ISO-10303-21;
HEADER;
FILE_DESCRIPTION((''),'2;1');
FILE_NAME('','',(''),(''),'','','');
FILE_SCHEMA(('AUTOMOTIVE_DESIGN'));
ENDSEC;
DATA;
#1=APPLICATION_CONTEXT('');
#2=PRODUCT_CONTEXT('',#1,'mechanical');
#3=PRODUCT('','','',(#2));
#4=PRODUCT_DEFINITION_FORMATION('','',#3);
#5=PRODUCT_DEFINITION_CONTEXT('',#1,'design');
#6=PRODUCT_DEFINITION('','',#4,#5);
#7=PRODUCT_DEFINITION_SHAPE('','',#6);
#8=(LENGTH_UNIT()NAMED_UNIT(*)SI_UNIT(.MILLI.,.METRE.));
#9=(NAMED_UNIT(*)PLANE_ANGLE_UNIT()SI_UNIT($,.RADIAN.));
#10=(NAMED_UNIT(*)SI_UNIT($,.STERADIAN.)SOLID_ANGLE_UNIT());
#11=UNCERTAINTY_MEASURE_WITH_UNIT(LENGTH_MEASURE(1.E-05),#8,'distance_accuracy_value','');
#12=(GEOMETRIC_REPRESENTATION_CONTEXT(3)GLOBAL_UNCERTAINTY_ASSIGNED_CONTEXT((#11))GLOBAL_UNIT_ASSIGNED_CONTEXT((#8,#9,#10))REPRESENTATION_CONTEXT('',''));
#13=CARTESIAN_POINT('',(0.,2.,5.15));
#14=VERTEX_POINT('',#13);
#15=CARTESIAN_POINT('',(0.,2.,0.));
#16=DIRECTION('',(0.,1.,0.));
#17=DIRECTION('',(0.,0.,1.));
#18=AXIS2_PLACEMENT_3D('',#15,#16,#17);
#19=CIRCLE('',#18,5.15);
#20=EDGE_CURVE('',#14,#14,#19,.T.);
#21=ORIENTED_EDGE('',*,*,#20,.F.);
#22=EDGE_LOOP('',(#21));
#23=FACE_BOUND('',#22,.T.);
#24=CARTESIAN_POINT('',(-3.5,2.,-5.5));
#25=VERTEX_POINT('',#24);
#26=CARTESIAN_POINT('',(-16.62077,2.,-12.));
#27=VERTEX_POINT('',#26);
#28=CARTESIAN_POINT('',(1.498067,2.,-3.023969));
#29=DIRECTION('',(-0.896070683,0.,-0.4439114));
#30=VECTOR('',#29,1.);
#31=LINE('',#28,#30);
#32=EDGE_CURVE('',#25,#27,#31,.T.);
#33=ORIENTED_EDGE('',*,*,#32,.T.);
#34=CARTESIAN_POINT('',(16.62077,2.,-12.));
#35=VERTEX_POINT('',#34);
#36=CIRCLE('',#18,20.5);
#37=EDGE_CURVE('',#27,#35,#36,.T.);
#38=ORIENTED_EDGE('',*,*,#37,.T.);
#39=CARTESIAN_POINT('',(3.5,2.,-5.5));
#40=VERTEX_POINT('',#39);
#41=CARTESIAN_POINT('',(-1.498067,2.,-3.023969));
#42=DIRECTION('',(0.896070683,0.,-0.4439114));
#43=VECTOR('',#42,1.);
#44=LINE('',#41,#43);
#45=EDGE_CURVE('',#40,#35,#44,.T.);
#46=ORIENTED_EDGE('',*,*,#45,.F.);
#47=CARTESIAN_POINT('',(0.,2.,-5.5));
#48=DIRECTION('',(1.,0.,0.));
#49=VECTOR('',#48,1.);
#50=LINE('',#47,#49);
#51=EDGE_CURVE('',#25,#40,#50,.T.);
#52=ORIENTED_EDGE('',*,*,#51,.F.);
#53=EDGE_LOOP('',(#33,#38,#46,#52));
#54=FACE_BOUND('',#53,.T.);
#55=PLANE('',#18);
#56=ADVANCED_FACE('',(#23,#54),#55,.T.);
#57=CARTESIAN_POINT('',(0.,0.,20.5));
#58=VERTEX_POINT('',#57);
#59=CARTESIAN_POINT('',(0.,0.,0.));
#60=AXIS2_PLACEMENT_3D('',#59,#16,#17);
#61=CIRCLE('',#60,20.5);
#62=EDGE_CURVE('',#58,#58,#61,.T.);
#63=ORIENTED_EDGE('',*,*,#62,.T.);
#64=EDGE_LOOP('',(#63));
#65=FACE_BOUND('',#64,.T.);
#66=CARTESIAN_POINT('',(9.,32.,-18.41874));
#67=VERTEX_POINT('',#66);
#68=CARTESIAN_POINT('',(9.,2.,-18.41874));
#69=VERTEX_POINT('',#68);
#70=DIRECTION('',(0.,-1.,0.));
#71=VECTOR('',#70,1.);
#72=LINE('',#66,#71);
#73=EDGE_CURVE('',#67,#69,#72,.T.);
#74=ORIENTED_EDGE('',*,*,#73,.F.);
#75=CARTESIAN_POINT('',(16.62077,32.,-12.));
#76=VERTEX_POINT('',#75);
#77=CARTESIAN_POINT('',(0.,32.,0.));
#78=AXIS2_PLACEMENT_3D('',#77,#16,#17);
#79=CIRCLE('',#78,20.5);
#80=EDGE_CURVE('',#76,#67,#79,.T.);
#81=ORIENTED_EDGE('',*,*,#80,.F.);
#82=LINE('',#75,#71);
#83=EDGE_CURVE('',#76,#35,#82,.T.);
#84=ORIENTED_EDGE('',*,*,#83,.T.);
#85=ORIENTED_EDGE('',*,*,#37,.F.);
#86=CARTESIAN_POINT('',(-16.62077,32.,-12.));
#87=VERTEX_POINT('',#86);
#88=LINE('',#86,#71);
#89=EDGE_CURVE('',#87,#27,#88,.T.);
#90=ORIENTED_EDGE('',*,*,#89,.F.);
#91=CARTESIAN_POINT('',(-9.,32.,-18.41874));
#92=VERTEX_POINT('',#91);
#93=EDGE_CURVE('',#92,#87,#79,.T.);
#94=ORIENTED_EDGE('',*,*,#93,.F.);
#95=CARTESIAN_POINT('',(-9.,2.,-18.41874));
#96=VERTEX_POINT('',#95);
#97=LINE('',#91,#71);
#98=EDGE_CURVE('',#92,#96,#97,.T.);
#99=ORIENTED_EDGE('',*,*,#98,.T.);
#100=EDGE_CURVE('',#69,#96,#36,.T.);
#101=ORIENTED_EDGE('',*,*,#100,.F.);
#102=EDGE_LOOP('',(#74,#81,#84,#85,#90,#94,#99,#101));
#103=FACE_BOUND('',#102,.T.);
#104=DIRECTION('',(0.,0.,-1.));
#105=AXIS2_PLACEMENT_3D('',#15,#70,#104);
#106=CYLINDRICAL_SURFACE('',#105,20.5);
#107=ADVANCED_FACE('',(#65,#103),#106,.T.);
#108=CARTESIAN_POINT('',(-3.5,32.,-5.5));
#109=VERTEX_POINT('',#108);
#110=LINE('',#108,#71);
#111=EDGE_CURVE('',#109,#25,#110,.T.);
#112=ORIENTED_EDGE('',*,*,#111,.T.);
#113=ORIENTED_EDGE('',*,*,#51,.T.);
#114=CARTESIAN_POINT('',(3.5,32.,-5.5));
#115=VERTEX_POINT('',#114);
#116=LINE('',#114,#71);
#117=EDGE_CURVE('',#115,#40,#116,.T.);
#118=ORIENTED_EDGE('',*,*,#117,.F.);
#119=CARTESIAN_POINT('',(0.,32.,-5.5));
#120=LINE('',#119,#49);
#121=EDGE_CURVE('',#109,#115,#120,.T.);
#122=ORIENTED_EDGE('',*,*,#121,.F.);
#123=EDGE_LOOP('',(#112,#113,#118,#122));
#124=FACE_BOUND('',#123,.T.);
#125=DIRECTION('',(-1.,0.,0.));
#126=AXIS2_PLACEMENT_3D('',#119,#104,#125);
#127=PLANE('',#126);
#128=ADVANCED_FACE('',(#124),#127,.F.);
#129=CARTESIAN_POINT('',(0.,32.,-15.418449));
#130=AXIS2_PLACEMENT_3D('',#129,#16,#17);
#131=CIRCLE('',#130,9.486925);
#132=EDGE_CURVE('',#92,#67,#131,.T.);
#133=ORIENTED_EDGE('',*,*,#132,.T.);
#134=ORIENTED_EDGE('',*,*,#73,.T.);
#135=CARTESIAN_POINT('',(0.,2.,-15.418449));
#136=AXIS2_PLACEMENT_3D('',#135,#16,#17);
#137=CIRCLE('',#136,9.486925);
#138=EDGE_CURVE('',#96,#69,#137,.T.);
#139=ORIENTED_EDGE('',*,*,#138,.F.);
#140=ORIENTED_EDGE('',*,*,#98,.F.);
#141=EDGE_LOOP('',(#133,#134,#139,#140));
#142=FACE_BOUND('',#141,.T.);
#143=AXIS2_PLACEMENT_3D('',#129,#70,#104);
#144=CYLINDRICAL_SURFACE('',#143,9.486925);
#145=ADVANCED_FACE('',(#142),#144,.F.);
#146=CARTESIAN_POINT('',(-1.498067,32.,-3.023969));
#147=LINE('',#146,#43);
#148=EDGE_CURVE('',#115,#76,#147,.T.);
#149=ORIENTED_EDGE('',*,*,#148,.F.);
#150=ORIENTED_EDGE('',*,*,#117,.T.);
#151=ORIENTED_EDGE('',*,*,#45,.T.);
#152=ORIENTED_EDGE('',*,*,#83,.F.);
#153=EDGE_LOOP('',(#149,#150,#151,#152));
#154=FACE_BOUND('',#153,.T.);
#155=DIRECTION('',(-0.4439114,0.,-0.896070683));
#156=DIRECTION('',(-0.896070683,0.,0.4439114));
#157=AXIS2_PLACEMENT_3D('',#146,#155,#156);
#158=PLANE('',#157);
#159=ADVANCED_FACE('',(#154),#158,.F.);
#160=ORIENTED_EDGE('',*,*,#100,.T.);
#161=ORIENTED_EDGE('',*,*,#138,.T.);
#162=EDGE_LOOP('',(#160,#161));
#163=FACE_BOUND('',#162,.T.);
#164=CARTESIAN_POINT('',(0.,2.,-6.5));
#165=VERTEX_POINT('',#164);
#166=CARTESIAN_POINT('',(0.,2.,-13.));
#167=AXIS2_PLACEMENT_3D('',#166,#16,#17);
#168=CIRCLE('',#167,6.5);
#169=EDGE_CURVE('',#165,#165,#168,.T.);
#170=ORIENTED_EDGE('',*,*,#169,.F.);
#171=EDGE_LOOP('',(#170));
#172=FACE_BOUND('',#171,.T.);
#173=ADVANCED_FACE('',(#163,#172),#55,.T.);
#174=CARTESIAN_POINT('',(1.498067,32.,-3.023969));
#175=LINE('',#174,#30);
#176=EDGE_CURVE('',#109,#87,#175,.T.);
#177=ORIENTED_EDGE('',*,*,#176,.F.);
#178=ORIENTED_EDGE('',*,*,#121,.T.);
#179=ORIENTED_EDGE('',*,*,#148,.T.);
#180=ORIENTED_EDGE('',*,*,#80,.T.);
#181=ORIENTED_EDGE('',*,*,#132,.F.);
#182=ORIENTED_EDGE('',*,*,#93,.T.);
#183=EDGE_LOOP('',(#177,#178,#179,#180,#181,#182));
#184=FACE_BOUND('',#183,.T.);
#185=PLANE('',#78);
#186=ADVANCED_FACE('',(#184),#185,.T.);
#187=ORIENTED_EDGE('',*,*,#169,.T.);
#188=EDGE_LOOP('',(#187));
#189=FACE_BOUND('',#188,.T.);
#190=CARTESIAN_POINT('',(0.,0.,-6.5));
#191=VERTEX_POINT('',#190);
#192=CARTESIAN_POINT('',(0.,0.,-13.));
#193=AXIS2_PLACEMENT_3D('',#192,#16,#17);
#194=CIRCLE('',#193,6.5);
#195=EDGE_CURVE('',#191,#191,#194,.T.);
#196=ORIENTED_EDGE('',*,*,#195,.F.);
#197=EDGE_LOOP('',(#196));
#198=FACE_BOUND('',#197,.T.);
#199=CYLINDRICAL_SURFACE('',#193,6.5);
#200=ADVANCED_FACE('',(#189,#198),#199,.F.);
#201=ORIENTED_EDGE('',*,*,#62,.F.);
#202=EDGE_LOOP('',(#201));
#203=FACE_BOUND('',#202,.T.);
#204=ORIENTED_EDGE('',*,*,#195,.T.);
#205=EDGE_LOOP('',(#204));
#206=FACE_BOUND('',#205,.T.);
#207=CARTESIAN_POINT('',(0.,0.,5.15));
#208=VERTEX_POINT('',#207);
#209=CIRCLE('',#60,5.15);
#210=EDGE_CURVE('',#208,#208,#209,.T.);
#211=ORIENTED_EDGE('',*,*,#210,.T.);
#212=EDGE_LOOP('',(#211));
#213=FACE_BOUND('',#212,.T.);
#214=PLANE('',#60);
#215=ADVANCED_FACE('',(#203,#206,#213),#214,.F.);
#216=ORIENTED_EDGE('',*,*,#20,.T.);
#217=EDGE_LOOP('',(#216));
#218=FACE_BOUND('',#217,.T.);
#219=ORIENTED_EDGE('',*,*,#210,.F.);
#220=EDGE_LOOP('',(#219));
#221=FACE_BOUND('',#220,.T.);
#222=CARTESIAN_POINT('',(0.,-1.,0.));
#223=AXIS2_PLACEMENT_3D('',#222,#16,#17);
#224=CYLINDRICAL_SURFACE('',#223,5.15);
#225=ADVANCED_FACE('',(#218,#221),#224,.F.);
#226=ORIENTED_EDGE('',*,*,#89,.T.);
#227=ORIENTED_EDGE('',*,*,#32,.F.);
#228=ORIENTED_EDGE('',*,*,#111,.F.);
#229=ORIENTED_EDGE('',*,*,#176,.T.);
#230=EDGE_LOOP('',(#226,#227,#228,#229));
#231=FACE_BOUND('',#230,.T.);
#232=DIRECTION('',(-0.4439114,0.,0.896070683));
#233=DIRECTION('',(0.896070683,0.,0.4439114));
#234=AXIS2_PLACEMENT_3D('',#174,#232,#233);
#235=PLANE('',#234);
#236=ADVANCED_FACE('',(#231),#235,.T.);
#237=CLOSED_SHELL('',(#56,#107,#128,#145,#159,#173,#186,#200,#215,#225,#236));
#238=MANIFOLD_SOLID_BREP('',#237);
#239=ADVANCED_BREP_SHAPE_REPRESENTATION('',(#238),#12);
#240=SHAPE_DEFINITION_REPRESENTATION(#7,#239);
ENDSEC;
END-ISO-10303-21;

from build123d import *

# Parameters (mm, degrees)
SKETCH1_R           = 20.5
BOSS_EXTRUDE1_DEPTH = 2
SKETCH2_R           = 5.15
CUT_EXTRUDE1_DEPTH  = 3
SKETCH3_R           = 6.5
CUT_EXTRUDE2_DEPTH  = 2
BOSS_EXTRUDE4_DEPTH = 30


with BuildPart() as part:
    # Sketch1 → Boss-Extrude1 (new body)
    with BuildSketch(Plane(origin=(0, 0, 0), x_dir=(1, 0, 0), z_dir=(0, 1, 0))):
        with Locations(Location((0, 0, 0), (0, 0, 270))):
            Circle(SKETCH1_R)
    extrude(amount=BOSS_EXTRUDE1_DEPTH)

    # Sketch2 → Cut-Extrude1 (cut)
    with BuildSketch(Plane(origin=(0, 2, 0), x_dir=(1, 0, 0), z_dir=(0, 1, 0))):
        with Locations(Location((0, 0, 0), (0, 0, 270))):
            Circle(SKETCH2_R)
    extrude(amount=-CUT_EXTRUDE1_DEPTH, mode=Mode.SUBTRACT)

    # Sketch3 → Cut-Extrude2 (cut)
    with BuildSketch(Plane(origin=(0, 2, 0), x_dir=(1, 0, 0), z_dir=(0, 1, 0))):
        with Locations(Location((0, 13, 0), (0, 0, 270))):
            Circle(SKETCH3_R)
    extrude(amount=-CUT_EXTRUDE2_DEPTH, mode=Mode.SUBTRACT)

    # Sketch4 → Boss-Extrude4 (add)
    with BuildSketch(Plane(origin=(0, 2, 0), x_dir=(1, 0, 0), z_dir=(0, 1, 0))):
        with BuildLine():
            Line((-16.620770139, 12), (-3.5, 5.5))
            Line((-3.5, 5.5), (3.5, 5.5))
            Line((3.5, 5.5), (16.620770139, 12))
            ThreePointArc((16.620770139, 12), (13.206287248, 15.679412525), (9, 18.418740456))
            ThreePointArc((9, 18.418740456), (0, 5.93152382), (-9, 18.418740456))
            ThreePointArc((-9, 18.418740456), (-13.206287248, 15.679412525), (-16.620770139, 12))
        make_face()
    extrude(amount=BOSS_EXTRUDE4_DEPTH)


solid = part.part
